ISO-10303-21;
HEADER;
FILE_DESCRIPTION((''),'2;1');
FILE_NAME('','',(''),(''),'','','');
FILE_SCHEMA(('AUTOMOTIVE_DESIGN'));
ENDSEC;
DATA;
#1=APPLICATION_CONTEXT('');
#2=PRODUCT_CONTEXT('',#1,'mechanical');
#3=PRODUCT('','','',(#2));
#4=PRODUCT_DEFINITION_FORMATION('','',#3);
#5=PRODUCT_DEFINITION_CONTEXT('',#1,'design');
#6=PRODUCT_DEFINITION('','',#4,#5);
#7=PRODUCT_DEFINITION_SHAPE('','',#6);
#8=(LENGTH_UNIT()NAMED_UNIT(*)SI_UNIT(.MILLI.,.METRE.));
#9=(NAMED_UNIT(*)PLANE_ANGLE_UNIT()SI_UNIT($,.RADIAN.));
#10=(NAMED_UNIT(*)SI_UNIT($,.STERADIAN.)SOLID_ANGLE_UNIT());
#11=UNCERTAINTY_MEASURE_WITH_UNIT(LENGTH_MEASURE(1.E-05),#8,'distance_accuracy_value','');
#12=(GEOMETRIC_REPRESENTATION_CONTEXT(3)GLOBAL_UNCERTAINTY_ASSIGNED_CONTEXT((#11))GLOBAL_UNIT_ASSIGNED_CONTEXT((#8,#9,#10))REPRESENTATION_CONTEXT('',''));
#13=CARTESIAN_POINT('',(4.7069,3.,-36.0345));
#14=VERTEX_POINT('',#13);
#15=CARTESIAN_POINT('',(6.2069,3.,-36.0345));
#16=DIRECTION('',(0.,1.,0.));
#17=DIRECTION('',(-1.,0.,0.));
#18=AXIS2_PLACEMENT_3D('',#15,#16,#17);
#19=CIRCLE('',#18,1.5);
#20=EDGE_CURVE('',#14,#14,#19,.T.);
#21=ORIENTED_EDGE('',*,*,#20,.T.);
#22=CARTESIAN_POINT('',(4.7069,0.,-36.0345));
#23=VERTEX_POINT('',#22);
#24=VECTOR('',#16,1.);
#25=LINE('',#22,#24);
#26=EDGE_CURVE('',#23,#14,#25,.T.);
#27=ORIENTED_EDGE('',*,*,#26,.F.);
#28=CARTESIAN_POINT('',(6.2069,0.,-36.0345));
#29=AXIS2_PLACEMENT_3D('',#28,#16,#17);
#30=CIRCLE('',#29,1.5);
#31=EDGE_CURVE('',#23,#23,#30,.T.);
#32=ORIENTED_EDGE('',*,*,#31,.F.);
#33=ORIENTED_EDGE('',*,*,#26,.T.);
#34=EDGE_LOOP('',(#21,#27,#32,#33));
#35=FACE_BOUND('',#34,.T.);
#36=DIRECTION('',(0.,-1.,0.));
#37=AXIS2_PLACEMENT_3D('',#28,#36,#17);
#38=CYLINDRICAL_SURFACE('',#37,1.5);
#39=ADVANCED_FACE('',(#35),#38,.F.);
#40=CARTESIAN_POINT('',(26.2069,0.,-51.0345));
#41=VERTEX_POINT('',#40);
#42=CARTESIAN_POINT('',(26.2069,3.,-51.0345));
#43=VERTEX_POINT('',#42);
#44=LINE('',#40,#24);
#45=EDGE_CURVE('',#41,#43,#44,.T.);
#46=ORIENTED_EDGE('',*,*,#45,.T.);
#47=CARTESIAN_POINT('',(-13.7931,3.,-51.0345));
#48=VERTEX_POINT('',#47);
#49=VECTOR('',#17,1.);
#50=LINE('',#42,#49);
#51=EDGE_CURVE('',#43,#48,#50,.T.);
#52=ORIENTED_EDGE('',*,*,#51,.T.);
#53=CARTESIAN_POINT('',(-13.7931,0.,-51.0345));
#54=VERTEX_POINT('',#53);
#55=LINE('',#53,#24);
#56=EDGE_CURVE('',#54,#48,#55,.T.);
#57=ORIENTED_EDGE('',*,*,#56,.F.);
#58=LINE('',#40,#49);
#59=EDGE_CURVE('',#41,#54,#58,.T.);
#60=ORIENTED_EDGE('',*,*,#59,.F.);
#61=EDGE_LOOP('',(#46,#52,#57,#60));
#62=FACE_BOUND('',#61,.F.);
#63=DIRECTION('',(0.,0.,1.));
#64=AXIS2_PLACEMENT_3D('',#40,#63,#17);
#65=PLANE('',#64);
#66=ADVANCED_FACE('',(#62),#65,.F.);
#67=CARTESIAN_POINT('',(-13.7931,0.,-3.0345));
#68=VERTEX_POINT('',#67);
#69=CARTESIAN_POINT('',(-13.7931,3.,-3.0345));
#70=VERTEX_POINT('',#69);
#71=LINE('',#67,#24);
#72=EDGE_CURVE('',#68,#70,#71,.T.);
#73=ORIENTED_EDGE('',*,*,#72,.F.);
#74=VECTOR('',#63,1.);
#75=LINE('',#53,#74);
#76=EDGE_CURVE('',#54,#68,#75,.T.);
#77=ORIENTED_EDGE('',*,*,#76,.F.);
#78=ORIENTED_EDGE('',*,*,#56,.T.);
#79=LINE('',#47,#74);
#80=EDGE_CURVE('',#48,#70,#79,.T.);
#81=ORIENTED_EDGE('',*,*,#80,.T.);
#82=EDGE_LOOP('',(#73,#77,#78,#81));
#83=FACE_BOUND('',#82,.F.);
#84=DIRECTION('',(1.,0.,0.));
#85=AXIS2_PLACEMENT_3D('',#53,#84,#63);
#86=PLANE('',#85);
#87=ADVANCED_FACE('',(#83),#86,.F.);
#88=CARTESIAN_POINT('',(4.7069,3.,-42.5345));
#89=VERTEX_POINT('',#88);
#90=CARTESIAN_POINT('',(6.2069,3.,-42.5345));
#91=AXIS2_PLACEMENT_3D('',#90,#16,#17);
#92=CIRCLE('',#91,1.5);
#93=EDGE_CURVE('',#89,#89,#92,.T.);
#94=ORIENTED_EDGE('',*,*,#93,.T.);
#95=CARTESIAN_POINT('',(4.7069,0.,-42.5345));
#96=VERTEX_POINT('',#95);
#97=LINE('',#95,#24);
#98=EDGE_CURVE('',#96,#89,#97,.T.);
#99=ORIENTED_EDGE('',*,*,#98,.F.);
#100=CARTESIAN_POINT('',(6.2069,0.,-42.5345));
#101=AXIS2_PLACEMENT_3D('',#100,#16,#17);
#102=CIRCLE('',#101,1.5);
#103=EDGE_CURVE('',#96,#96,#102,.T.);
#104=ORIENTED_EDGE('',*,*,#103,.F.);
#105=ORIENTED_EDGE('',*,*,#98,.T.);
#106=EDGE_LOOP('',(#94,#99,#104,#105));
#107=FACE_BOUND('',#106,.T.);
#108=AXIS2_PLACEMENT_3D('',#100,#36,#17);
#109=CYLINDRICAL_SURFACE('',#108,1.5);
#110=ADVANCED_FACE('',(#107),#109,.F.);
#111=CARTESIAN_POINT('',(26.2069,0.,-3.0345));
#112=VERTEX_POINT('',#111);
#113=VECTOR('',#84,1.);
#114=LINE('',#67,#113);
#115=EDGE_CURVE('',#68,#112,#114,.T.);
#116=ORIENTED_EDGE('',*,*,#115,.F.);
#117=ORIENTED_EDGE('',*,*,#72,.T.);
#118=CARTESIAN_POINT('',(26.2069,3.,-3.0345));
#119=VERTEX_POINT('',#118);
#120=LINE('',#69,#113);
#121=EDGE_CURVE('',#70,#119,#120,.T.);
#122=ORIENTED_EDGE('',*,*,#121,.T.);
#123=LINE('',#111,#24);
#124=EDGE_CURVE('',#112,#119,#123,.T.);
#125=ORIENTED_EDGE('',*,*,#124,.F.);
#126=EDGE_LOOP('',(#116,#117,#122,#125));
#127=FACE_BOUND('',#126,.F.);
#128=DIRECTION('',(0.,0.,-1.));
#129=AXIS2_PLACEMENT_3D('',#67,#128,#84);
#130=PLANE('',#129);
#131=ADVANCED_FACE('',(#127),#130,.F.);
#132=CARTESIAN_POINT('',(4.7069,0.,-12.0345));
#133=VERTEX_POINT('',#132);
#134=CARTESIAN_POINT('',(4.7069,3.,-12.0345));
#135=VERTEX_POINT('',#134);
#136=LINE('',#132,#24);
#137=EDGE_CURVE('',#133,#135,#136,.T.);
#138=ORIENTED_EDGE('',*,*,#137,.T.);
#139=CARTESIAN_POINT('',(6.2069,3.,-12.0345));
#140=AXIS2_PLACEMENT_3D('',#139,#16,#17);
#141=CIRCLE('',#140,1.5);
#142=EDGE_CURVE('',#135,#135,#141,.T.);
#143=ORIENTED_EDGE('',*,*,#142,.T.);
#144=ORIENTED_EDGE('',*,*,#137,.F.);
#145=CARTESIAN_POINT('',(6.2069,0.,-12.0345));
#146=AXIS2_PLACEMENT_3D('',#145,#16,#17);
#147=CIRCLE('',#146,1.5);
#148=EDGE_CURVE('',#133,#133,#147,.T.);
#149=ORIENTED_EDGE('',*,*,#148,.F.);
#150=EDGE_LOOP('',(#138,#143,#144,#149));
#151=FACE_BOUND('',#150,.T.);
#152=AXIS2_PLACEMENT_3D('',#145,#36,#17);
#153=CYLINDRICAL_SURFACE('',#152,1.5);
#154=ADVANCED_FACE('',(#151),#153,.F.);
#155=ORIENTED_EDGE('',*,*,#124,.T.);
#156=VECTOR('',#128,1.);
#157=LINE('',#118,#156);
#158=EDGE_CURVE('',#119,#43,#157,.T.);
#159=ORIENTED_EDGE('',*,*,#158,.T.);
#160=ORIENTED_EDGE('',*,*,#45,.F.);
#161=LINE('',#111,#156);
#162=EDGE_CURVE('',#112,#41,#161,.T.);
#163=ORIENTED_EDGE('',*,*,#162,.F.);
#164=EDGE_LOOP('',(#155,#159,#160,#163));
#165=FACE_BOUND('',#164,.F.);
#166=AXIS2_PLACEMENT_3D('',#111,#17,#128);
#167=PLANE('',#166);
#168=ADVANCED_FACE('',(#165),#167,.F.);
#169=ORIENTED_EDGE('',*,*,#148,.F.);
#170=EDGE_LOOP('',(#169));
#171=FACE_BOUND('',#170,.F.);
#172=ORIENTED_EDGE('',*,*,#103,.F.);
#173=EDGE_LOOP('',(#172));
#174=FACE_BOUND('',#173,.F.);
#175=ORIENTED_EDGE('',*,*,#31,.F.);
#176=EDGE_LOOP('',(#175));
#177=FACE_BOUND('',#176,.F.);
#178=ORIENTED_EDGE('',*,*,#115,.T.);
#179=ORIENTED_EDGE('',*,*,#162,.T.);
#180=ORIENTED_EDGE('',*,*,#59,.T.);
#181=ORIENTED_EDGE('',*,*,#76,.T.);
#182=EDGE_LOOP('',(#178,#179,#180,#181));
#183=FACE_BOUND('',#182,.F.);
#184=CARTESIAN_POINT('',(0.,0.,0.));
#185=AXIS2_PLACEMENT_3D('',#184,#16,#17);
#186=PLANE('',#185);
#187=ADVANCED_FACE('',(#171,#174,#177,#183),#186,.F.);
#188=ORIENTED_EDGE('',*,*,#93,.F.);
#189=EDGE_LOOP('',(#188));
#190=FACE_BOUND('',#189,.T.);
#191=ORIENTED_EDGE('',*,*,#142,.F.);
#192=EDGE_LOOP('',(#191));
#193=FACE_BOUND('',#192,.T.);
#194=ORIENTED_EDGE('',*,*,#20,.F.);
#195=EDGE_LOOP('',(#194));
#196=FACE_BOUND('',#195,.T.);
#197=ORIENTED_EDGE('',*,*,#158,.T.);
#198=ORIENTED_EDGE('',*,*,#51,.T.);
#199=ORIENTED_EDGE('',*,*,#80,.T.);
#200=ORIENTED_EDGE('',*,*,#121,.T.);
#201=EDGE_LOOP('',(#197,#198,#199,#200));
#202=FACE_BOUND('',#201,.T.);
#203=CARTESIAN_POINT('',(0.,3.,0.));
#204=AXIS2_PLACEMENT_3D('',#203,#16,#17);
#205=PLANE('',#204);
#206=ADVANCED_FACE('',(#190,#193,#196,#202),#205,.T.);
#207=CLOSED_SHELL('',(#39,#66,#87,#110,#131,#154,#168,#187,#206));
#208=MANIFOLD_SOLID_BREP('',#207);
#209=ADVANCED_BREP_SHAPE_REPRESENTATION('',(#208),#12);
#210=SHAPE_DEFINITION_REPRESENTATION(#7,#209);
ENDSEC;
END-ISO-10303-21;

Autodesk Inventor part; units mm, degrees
ref_plane "YZ Plane" through (0, 0, 0) normal (1, 0, 0) x (0, 1, 0)
ref_plane "XZ Plane" through (0, 0, 0) normal (0, 1, 0) x (-1, 0, 0)
ref_plane "XY Plane" through (0, 0, 0) normal (0, 0, 1) x (1, 0, 0)
sketch "Sketch1" plane through (0, 0, 0) normal (0, 1, 0) x (-1, 0, 0)
  line L0 (13.7931, -3.0345) -> (-26.2069, -3.0345)
  line L1 (-26.2069, -3.0345) -> (-26.2069, -51.0345)
  line L2 (-26.2069, -51.0345) -> (13.7931, -51.0345)
  line L3 (13.7931, -51.0345) -> (13.7931, -3.0345)
  circle A0 centre (-6.2069, -12.0345) radius 1.5
  circle A1 centre (-6.2069, -42.5345) radius 1.5
  circle A2 centre (-6.2069, -36.0345) radius 1.5
  point P0 (0, 0)
  dimension "d0" = 48
  dimension "d1" = 40
  dimension "d2" = 3
  dimension "d4" = 20
  dimension "d7" = 8.5
  dimension "d8" = 15
  dimension "d9" = 3
  dimension "d10" = 3
  dimension "d11" = 20
  dimension "d12" = 20
  dimension "d13" = 9
extrude "Extrusion1" add sketch "Sketch1" along normal blind 3
equation "\"d5\" = d9"
properties part number "support-lanceur"
